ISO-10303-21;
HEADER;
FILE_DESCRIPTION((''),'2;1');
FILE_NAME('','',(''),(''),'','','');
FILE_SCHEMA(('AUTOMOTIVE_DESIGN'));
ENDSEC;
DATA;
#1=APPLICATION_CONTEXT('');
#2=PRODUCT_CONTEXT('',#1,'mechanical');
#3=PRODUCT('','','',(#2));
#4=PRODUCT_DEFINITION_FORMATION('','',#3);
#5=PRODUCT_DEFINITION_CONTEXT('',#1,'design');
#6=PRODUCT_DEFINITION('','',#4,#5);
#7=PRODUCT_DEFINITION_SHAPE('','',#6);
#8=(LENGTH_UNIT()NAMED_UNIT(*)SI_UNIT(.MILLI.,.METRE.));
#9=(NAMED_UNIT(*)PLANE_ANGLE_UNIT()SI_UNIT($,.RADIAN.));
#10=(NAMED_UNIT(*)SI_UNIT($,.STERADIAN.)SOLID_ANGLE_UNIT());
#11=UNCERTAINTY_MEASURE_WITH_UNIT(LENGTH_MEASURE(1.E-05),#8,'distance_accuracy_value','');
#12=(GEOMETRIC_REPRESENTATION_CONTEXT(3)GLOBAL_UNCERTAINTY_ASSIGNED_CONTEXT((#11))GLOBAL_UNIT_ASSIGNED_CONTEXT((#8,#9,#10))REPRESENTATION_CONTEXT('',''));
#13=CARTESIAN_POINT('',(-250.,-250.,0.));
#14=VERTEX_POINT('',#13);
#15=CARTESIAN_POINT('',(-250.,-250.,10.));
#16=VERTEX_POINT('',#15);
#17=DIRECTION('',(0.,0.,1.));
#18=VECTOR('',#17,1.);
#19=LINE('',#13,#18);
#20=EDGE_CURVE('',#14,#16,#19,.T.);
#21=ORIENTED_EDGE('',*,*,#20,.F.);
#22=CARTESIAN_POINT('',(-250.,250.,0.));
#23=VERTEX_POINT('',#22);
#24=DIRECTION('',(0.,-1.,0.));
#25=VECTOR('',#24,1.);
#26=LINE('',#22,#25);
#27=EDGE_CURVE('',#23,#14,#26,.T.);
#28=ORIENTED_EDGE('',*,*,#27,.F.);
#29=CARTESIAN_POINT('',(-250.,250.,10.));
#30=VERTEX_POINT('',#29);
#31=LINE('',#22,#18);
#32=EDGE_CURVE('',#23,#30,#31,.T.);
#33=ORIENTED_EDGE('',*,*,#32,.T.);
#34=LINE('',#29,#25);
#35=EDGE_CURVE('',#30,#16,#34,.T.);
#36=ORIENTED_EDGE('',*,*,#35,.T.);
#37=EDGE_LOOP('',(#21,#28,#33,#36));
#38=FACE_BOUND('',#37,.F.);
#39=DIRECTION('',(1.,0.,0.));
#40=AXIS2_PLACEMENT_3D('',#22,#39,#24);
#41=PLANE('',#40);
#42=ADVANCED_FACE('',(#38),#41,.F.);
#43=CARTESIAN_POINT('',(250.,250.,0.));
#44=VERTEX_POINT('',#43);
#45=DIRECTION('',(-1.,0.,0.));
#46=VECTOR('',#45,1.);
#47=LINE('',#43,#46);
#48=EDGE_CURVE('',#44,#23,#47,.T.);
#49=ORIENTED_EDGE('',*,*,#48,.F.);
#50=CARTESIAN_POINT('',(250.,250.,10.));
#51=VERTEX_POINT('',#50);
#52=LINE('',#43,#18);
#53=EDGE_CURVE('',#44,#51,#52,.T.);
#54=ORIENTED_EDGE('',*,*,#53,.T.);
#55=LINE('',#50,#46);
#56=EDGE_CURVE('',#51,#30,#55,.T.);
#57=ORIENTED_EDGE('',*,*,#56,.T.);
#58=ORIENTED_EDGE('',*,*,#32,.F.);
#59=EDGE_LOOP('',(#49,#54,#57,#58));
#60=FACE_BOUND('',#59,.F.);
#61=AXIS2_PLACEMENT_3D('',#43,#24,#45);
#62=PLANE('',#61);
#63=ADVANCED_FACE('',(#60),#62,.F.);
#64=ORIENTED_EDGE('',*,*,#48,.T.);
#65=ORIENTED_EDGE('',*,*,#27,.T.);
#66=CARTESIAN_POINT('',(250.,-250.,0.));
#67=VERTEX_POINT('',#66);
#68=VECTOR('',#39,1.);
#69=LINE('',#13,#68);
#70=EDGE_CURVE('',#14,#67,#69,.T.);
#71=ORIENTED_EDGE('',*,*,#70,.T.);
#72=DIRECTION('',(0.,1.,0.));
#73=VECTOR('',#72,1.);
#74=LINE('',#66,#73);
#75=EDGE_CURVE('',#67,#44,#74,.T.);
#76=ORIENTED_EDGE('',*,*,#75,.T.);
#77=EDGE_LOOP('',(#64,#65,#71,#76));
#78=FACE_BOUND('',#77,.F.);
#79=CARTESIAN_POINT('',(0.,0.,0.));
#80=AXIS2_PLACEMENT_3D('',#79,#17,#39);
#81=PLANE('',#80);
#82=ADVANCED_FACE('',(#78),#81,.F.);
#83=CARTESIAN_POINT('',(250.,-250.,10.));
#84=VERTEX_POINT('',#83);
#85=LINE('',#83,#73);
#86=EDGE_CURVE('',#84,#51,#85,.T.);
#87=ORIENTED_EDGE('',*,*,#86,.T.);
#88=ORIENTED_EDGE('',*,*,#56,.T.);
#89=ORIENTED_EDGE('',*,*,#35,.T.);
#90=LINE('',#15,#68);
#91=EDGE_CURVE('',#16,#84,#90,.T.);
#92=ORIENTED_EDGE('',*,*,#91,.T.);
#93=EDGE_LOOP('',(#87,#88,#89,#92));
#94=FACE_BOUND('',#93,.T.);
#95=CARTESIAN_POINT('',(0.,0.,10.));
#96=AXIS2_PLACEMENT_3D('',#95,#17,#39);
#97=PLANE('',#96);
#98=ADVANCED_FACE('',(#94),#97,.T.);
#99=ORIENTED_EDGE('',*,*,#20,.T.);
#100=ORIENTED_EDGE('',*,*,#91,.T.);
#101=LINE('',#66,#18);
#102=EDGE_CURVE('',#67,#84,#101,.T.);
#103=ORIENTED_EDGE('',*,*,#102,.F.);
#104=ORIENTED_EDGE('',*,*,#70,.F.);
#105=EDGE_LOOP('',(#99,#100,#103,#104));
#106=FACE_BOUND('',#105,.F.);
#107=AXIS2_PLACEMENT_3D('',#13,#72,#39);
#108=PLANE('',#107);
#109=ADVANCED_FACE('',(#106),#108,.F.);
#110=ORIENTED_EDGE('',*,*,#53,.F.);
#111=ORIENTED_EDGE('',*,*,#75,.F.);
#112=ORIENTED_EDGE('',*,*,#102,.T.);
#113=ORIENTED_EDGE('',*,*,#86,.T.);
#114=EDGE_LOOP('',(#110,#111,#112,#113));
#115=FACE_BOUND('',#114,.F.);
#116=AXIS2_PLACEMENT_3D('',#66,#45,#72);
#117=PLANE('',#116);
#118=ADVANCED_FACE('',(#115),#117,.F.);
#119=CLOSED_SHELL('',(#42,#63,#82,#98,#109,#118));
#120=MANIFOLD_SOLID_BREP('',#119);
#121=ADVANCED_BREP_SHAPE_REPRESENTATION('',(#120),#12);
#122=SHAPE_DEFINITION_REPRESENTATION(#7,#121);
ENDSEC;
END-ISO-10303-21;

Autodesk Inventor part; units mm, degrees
ref_plane "YZ Plane" through (0, 0, 0) normal (1, 0, 0) x (0, 1, 0)
ref_plane "XZ Plane" through (0, 0, 0) normal (0, 1, 0) x (-1, 0, 0)
ref_plane "XY Plane" through (0, 0, 0) normal (0, 0, 1) x (1, 0, 0)
sketch "スケッチ1" plane through (0, 0, 0) normal (0, 0, 1) x (1, 0, 0)
  line L0 (250, 250) -> (-250, 250)
  line L1 (-250, 250) -> (-250, -250)
  line L2 (-250, -250) -> (250, -250)
  line L3 (250, -250) -> (250, 250)
  line L4 (250, 250) -> (-250, -250) construction
  line L5 (-250, 250) -> (250, -250) construction
  point P0 (0, 0)
  dimension "d0" = 500
  dimension "d1" = 500
extrude "押し出し1" add sketch "スケッチ1" along normal blind 10
properties part number "ふぃールド" material "水"
